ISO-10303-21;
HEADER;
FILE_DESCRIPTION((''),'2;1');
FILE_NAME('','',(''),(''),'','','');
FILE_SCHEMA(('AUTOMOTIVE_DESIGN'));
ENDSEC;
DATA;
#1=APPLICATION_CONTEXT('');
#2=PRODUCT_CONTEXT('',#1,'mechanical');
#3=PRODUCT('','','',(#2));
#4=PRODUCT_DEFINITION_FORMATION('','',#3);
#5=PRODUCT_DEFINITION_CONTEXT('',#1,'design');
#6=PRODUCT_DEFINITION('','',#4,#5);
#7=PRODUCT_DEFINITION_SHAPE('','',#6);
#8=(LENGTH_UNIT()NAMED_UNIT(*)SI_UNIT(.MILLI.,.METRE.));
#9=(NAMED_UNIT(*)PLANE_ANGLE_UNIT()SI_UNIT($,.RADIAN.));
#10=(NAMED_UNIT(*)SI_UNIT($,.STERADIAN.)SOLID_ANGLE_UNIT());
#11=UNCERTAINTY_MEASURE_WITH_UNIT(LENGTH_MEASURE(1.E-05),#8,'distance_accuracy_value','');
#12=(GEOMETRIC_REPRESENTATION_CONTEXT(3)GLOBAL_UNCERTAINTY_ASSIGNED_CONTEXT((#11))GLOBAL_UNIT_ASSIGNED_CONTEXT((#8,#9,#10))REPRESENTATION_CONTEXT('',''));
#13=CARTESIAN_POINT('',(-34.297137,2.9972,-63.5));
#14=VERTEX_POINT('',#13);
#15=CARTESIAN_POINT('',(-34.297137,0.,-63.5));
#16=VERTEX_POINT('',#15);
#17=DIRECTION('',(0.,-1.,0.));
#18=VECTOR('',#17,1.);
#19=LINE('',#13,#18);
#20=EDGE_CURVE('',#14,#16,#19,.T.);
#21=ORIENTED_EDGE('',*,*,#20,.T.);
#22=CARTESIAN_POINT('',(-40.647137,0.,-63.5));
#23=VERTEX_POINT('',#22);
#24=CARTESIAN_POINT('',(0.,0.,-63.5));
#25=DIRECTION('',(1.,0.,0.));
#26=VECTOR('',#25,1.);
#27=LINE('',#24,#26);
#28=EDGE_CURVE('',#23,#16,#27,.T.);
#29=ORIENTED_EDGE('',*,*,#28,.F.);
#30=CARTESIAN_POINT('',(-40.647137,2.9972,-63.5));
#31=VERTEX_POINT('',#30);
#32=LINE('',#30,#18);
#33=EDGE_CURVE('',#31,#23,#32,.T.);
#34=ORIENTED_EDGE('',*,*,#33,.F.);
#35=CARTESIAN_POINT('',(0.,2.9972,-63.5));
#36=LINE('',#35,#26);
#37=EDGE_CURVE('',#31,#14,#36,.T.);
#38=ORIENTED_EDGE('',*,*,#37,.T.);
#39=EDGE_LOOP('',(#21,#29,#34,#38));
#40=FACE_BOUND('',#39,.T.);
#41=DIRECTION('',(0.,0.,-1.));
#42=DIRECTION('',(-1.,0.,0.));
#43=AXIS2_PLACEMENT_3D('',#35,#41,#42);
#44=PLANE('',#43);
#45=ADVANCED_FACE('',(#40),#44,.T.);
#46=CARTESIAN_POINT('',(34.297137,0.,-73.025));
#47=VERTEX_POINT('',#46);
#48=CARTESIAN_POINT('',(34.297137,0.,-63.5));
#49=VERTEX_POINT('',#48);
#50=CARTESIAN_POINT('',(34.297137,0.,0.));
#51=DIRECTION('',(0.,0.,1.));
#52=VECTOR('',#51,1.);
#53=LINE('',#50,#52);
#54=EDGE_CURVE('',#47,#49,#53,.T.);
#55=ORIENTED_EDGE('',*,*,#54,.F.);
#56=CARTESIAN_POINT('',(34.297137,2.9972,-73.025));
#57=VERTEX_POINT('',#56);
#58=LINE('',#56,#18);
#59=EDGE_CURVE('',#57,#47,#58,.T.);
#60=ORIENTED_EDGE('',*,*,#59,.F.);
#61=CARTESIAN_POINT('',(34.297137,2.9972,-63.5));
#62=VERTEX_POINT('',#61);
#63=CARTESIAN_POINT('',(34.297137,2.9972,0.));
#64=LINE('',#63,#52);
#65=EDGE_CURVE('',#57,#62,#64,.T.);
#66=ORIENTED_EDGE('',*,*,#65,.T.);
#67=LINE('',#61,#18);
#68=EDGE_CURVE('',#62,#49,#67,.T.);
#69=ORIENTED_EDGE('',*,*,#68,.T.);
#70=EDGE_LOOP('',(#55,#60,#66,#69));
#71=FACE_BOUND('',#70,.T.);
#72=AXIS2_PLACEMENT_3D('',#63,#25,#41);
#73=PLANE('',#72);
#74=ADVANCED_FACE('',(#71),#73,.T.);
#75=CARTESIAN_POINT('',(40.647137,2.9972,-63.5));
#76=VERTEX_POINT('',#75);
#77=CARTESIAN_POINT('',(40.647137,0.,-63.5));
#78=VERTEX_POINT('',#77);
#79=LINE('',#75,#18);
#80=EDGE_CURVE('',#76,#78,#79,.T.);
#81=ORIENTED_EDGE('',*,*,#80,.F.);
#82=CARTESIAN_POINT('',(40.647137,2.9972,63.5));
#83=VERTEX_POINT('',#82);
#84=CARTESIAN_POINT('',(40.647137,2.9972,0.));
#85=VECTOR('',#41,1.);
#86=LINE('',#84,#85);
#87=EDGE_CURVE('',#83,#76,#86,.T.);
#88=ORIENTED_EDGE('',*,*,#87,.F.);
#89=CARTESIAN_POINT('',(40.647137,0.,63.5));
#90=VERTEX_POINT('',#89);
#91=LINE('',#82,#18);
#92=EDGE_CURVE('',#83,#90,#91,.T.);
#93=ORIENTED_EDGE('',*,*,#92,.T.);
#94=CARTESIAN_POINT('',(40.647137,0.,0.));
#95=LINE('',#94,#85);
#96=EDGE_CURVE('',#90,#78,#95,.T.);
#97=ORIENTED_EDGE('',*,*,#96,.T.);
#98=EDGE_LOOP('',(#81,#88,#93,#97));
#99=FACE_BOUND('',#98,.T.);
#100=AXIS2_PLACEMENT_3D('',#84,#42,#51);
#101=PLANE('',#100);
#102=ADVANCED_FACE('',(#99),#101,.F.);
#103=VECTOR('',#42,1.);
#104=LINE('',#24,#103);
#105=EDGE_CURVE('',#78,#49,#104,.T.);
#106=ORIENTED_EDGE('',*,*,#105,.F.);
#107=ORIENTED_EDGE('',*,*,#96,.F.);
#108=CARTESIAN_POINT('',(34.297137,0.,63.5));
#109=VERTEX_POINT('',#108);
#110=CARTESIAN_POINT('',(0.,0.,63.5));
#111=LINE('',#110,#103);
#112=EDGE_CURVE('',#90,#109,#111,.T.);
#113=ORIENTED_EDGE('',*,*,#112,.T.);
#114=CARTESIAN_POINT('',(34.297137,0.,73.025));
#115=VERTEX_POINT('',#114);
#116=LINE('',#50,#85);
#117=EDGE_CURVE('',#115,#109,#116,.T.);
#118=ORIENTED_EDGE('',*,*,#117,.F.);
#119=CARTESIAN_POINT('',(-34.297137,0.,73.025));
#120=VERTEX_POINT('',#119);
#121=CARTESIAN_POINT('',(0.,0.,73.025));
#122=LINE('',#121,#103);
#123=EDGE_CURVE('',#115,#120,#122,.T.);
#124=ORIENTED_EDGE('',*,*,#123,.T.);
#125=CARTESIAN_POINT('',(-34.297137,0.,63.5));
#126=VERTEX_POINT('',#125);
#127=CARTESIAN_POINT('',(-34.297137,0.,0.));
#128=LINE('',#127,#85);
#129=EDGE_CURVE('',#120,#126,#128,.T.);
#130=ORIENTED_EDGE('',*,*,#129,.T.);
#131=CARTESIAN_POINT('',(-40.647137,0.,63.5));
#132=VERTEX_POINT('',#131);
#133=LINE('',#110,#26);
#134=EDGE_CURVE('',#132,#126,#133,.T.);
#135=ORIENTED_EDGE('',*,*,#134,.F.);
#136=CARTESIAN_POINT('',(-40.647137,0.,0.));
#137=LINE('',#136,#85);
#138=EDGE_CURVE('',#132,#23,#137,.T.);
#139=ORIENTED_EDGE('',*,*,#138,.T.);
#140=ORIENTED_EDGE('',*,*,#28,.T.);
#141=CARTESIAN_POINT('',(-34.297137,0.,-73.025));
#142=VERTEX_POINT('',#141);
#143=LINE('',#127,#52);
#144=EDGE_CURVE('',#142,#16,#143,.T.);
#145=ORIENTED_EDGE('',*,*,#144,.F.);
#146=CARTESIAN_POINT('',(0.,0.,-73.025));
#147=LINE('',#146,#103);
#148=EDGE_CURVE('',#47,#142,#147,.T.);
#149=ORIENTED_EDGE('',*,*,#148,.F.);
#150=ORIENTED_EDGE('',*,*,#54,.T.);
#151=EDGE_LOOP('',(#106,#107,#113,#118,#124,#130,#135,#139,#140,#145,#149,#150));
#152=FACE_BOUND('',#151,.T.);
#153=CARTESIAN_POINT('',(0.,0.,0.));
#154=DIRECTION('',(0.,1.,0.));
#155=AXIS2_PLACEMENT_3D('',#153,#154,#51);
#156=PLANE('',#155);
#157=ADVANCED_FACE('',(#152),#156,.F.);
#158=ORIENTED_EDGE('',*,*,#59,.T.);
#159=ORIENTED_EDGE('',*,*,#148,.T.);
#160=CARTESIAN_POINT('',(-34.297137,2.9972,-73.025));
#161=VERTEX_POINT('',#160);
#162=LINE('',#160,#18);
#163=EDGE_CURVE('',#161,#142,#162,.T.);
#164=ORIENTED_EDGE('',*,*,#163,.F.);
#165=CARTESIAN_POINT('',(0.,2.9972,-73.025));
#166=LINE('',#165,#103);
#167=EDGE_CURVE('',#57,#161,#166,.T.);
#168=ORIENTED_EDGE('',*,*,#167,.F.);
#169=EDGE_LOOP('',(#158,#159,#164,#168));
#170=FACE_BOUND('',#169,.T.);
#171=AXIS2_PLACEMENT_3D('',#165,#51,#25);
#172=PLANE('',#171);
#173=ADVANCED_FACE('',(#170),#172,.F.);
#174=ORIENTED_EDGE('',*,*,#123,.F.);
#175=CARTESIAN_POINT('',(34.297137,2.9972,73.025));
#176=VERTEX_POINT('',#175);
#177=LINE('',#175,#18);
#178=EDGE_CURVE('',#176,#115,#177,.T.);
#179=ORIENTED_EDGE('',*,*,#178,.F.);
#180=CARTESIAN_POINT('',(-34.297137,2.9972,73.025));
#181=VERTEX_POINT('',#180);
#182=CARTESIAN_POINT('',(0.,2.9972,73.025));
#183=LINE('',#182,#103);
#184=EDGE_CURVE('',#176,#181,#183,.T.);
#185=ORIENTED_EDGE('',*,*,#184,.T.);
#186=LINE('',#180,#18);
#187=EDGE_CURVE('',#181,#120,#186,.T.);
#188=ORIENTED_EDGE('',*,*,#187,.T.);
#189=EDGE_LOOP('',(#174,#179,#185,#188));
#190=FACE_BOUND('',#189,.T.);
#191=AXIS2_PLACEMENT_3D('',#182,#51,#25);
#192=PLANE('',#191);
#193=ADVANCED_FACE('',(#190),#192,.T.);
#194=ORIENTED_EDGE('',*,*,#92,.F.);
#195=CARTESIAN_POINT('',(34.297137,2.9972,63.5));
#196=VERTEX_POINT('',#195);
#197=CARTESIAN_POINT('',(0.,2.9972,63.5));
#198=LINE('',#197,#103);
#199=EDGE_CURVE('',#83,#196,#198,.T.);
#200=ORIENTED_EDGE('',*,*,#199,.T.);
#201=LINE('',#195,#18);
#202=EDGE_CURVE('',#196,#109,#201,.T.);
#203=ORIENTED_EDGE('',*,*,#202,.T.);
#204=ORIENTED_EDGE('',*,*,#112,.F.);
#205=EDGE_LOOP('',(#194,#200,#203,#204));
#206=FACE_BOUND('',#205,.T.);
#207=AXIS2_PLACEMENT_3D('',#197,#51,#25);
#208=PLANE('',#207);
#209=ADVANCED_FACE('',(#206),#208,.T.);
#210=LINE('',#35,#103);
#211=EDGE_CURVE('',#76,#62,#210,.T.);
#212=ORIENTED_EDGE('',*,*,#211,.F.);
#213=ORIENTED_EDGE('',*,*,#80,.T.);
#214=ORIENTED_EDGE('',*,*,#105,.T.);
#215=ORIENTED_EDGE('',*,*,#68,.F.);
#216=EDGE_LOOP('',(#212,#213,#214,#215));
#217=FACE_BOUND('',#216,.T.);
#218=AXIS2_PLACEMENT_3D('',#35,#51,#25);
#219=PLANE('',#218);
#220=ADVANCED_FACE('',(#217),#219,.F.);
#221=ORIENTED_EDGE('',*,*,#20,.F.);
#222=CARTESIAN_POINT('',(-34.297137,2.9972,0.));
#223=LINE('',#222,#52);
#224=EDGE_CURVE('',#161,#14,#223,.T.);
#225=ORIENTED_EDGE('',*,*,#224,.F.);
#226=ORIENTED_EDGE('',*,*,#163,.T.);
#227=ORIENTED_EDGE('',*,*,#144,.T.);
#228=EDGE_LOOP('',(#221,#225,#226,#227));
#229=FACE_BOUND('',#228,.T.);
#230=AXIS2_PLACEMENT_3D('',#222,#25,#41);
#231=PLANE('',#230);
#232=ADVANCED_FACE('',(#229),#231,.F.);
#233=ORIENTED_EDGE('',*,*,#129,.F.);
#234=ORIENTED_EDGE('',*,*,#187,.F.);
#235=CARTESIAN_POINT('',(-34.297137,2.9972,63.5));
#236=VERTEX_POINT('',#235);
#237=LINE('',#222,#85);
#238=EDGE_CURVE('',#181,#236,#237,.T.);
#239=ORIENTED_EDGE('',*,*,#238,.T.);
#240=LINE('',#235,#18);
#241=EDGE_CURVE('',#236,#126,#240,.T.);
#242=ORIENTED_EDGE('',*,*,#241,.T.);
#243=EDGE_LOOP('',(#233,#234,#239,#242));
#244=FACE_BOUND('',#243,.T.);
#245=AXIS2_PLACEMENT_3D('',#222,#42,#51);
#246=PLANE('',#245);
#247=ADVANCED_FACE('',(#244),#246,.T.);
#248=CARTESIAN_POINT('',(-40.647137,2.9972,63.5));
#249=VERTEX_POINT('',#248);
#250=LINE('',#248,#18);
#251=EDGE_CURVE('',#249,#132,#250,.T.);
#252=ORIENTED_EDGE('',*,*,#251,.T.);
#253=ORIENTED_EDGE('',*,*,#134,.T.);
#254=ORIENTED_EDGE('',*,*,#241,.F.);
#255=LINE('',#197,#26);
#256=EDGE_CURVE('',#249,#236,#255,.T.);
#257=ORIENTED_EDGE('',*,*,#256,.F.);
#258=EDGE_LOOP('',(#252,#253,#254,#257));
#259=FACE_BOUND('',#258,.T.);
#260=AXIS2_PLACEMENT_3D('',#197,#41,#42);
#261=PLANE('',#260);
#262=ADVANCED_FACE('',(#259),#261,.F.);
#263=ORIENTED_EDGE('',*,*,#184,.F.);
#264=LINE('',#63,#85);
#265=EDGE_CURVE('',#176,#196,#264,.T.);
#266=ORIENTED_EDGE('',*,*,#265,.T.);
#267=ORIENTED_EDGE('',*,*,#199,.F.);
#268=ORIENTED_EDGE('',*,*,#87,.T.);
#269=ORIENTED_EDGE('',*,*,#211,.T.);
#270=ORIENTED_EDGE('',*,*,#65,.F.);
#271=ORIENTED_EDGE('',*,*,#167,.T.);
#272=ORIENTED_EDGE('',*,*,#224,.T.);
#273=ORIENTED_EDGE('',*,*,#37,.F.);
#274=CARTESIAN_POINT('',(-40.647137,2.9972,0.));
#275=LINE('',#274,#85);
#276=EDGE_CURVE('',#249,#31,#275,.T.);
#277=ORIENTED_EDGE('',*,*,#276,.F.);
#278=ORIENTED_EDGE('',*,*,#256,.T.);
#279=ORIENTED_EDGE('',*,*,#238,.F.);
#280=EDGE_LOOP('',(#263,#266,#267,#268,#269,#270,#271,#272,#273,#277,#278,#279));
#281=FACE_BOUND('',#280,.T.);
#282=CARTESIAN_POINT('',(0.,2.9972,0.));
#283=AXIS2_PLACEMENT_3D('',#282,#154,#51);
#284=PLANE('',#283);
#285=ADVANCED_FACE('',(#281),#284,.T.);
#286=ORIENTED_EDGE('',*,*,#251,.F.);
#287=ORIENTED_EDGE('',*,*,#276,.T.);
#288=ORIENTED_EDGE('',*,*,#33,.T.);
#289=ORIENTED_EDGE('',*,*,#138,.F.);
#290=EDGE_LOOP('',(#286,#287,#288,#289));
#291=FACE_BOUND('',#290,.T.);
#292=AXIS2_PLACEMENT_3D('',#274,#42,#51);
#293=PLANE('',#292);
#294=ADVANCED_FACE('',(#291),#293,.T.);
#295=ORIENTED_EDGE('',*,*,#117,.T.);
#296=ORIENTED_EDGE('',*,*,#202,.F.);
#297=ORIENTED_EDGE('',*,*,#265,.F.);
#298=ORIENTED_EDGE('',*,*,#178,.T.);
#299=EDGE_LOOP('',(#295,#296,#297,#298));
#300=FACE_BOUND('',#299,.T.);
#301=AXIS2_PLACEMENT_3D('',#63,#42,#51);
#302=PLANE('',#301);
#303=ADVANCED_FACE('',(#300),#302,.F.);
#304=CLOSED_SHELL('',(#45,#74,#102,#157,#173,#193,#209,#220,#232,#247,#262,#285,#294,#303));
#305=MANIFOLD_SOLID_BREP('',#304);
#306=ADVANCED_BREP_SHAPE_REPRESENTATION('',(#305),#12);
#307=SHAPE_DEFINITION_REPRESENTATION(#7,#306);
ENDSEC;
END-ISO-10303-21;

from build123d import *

# Parameters (mm, degrees)
BOSS_EXTRUDE1_DEPTH = 2.9972


with BuildPart() as part:
    # Sketch1 → Boss-Extrude1 (new body)
    with BuildSketch(Plane(origin=(0, 0, 0), x_dir=(1, 0, 0), z_dir=(0, 1, 0))):
        Polygon((-34.2971374, -73.025), (34.2971374, -73.025), (34.2971374, -63.5), (40.6471374, -63.5), (40.6471374, 63.5), (34.2971374, 63.5), (34.2971374, 73.025), (-34.2971374, 73.025), (-34.2971374, 63.5), (-40.6471374, 63.5), (-40.6471374, -63.5), (-34.2971374, -63.5), align=None)
    extrude(amount=BOSS_EXTRUDE1_DEPTH)


solid = part.part
